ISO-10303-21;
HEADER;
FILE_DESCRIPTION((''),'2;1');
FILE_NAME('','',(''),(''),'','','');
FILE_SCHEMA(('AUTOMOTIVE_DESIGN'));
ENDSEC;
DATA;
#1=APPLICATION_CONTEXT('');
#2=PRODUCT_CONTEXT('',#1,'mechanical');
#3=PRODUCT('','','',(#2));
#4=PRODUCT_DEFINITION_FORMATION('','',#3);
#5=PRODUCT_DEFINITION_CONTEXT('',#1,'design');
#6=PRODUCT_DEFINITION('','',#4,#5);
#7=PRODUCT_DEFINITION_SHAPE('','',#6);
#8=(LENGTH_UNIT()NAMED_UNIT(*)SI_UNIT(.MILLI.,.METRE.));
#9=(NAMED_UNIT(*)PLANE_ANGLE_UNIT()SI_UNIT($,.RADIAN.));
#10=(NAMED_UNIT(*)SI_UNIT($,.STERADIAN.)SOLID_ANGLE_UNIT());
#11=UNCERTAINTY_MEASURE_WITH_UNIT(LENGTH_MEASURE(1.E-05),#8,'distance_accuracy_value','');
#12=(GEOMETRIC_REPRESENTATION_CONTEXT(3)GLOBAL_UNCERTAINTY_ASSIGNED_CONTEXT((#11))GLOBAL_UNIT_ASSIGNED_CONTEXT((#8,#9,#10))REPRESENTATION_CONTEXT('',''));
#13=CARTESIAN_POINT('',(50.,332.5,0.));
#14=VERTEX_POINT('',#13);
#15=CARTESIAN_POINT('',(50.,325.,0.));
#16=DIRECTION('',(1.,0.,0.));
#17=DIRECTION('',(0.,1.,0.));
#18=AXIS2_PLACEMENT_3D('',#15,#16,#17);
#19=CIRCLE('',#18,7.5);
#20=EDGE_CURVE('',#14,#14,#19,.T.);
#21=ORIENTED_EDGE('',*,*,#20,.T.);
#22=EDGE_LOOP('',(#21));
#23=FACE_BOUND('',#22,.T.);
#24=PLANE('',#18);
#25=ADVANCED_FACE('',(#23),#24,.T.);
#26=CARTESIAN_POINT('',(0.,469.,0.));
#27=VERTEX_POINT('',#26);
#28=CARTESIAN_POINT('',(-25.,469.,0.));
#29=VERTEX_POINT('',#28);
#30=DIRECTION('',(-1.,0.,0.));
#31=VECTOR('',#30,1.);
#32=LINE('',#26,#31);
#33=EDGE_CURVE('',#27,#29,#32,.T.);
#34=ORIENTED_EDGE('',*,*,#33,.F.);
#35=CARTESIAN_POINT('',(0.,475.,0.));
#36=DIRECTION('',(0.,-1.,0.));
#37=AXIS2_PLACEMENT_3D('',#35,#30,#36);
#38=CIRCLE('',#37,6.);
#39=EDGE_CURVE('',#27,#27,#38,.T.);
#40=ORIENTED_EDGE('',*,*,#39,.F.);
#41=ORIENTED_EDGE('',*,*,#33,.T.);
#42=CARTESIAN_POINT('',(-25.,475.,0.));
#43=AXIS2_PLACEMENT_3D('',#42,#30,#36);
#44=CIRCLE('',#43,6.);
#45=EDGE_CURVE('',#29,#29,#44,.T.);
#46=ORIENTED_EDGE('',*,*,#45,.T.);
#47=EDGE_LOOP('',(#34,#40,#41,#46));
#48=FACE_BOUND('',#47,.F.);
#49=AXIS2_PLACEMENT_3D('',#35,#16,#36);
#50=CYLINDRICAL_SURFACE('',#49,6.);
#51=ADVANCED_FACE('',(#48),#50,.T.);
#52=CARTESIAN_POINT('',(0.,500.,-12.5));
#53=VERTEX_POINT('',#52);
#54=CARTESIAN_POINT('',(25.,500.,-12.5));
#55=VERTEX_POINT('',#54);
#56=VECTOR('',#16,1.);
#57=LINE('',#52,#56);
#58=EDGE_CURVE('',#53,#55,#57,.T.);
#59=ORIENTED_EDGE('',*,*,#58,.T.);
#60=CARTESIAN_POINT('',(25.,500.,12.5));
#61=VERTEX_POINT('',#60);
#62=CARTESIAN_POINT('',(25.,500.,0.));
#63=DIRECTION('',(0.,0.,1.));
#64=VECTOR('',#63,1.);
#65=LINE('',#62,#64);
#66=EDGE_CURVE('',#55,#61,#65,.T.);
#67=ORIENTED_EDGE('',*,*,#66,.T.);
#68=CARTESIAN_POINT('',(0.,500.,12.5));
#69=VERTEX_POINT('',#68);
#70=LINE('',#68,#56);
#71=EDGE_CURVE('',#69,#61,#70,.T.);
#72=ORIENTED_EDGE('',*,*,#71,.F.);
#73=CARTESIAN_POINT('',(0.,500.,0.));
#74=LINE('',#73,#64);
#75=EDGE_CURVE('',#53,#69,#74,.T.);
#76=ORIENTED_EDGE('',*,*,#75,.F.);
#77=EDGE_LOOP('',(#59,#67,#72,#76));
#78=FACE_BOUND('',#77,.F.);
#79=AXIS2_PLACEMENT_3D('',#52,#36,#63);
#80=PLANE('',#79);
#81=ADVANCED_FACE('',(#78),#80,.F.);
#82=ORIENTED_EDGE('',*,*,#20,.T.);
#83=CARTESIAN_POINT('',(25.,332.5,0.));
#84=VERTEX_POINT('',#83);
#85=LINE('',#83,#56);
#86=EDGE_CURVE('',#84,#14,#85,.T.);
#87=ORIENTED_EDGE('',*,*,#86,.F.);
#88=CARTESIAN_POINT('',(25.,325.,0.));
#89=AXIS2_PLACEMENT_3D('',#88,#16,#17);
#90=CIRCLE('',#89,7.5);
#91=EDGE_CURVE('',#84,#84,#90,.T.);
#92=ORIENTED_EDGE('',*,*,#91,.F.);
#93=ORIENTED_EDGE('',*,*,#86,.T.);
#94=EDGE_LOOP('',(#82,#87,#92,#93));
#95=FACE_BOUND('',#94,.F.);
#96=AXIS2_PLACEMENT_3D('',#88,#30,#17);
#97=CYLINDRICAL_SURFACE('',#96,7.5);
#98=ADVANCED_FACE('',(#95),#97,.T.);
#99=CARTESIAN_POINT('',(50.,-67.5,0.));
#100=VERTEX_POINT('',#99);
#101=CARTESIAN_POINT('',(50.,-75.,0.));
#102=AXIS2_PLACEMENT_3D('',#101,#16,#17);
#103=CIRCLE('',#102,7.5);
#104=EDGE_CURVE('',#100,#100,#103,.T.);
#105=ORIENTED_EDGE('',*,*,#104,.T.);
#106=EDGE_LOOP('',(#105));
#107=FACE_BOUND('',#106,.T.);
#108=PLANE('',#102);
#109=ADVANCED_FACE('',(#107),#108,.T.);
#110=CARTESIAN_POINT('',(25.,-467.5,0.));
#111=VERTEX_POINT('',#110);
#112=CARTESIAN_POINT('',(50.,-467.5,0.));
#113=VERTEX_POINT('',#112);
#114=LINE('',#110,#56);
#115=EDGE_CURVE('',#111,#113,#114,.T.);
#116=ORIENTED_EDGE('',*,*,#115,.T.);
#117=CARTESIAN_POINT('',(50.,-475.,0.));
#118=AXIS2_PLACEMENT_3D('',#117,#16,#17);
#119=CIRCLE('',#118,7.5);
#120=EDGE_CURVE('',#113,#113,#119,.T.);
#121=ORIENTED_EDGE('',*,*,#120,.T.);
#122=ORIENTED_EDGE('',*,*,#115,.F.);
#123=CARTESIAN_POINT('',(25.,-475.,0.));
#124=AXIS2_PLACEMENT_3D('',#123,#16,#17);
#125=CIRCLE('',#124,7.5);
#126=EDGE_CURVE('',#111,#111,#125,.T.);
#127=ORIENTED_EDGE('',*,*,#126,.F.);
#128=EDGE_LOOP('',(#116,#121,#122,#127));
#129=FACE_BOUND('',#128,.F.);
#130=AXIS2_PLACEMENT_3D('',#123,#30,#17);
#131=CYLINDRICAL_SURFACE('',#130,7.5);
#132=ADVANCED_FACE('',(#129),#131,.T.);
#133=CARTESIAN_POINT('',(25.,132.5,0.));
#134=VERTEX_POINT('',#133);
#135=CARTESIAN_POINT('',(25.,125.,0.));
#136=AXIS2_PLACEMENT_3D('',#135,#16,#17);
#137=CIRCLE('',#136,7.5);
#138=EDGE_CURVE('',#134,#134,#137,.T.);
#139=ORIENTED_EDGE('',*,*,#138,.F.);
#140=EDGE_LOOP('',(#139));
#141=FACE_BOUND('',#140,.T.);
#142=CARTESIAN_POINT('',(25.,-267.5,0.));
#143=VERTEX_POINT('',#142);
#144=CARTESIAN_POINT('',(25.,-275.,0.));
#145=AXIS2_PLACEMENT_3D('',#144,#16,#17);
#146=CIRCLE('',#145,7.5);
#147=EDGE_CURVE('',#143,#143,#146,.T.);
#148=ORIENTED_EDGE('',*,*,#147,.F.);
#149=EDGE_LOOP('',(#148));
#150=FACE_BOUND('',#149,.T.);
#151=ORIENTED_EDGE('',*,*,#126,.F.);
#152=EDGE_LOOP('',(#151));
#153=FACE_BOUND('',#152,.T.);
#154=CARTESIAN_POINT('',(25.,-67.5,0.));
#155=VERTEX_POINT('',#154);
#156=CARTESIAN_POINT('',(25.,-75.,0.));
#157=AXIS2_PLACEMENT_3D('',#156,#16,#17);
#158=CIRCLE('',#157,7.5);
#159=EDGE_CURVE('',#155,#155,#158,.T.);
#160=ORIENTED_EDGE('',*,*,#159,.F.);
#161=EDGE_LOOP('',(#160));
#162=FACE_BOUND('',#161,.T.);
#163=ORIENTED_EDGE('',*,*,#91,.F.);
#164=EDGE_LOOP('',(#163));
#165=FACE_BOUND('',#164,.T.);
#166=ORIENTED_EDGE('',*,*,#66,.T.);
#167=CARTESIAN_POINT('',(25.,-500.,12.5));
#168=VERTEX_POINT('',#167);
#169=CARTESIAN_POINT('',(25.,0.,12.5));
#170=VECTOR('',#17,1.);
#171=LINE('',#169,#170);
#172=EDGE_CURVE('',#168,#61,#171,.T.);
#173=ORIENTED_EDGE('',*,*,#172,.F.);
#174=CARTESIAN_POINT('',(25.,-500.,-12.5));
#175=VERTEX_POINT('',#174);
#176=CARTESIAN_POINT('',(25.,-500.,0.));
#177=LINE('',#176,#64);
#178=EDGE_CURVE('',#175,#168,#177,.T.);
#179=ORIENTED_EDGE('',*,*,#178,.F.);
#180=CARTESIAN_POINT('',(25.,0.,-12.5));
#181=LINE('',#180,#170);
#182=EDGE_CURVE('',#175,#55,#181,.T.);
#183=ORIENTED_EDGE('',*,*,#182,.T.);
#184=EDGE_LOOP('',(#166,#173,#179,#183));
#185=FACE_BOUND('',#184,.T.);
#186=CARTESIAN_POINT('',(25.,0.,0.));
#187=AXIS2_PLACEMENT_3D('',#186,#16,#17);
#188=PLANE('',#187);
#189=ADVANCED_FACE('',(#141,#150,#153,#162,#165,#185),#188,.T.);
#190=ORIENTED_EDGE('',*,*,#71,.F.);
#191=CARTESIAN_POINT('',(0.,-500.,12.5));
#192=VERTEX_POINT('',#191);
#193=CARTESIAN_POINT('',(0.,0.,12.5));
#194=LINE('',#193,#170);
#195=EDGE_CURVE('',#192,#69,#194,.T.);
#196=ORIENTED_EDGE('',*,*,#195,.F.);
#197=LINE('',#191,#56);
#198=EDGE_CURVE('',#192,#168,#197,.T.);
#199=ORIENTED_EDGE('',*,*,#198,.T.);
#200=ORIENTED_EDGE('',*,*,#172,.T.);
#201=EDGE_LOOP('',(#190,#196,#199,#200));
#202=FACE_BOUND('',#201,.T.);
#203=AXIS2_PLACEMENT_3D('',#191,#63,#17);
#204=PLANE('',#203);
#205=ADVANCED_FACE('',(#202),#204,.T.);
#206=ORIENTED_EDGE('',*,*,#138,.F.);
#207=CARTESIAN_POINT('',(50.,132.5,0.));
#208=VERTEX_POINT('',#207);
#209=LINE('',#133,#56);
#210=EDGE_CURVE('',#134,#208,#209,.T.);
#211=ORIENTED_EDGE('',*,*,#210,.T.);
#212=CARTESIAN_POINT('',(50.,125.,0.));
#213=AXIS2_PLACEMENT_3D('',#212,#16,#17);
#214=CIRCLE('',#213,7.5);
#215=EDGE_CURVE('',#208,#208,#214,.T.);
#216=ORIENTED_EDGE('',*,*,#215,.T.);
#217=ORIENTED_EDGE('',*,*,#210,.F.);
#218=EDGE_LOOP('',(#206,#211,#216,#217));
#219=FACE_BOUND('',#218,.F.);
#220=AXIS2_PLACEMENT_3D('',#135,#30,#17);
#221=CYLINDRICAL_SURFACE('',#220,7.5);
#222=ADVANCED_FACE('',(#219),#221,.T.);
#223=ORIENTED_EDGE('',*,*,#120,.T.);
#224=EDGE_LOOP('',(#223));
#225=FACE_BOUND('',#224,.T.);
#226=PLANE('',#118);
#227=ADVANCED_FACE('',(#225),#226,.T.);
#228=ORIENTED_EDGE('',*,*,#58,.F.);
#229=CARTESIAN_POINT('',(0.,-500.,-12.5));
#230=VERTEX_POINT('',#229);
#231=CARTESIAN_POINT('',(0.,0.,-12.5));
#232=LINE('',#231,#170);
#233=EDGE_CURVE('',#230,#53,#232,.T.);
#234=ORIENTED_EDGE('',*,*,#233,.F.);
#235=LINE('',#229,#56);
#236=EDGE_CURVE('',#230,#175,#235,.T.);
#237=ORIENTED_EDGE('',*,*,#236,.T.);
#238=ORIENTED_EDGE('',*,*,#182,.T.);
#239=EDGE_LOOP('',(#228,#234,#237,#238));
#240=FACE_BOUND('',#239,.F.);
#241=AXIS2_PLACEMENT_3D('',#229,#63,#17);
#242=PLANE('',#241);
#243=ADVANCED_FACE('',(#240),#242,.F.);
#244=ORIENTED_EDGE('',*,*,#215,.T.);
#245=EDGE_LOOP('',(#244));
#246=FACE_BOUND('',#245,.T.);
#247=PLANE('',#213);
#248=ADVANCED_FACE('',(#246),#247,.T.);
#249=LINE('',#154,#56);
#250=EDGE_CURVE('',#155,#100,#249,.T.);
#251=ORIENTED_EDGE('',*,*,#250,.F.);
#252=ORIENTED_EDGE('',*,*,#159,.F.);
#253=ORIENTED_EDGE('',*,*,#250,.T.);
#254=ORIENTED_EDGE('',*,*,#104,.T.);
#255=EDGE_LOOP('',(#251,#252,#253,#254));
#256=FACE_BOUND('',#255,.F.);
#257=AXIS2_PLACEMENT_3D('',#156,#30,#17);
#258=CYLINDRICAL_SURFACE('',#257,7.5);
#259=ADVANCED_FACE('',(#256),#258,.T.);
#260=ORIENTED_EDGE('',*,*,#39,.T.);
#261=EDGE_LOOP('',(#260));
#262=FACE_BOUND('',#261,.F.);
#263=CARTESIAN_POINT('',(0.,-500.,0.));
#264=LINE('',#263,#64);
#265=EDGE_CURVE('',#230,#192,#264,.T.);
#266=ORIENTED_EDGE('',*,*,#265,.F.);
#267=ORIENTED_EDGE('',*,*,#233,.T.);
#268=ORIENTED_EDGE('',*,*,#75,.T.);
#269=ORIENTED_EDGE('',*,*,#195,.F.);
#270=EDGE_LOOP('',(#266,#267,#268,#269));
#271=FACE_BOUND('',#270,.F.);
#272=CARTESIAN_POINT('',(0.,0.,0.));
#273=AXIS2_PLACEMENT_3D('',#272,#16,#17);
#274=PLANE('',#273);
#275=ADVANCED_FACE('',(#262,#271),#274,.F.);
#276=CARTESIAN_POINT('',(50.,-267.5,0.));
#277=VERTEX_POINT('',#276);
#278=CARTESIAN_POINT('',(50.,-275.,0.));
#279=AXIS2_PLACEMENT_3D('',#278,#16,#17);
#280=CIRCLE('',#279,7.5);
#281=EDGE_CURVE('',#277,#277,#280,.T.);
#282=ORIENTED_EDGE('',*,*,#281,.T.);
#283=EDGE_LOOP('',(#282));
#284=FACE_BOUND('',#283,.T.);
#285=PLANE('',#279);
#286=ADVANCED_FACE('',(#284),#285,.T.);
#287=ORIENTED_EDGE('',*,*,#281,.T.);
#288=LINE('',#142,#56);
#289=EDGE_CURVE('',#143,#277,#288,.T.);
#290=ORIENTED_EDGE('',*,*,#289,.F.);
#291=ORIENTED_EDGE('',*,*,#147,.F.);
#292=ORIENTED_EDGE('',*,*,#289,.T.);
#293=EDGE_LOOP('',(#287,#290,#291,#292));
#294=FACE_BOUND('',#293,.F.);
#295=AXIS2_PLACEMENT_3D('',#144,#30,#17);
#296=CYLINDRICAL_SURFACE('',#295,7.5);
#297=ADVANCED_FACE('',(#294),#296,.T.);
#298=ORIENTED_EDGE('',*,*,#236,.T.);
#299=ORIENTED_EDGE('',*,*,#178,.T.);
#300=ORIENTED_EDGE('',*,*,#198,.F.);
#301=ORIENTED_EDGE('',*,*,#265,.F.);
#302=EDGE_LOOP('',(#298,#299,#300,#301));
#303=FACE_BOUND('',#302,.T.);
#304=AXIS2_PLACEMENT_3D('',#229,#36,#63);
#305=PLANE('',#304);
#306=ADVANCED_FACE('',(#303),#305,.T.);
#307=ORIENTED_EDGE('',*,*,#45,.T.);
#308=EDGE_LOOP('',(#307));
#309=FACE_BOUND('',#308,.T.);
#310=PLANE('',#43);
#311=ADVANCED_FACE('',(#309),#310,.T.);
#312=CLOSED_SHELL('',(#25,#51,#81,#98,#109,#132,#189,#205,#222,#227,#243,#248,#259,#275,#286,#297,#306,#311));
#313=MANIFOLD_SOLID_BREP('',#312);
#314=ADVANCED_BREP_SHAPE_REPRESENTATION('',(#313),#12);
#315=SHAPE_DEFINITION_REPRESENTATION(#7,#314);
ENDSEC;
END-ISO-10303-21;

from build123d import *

# Parameters (mm, degrees)
F0_W     = 1000
F0_H     = 25
F1_DEPTH = 25
F2_R     = 7.5
F3_DEPTH = 25
F4_R     = 6
F5_DEPTH = 25


with BuildPart() as f1:
    # F0 (on Right) → F1 (new body)
    with BuildSketch(Plane.YZ):
        Rectangle(F0_W, F0_H)
    extrude(amount=F1_DEPTH)

    # F2 (on face) → F3 (join)
    with BuildSketch(Plane.YZ.offset(25)):
        with Locations((-475, 0)):
            Circle(F2_R)
        with Locations((-275, 0)):
            Circle(F2_R)
        with Locations((-75, 0)):
            Circle(F2_R)
        with Locations((125, 0)):
            Circle(F2_R)
        with Locations((325, 0)):
            Circle(F2_R)
    extrude(amount=F3_DEPTH)

    # F4 (on face) → F5 (join)
    with BuildSketch(Plane(origin=(0, 0, 0), x_dir=(0, -1, 0), z_dir=(-1, 0, 0))):
        with Locations((-475, 0)):
            Circle(F4_R)
    extrude(amount=F5_DEPTH)


solid = f1.part
